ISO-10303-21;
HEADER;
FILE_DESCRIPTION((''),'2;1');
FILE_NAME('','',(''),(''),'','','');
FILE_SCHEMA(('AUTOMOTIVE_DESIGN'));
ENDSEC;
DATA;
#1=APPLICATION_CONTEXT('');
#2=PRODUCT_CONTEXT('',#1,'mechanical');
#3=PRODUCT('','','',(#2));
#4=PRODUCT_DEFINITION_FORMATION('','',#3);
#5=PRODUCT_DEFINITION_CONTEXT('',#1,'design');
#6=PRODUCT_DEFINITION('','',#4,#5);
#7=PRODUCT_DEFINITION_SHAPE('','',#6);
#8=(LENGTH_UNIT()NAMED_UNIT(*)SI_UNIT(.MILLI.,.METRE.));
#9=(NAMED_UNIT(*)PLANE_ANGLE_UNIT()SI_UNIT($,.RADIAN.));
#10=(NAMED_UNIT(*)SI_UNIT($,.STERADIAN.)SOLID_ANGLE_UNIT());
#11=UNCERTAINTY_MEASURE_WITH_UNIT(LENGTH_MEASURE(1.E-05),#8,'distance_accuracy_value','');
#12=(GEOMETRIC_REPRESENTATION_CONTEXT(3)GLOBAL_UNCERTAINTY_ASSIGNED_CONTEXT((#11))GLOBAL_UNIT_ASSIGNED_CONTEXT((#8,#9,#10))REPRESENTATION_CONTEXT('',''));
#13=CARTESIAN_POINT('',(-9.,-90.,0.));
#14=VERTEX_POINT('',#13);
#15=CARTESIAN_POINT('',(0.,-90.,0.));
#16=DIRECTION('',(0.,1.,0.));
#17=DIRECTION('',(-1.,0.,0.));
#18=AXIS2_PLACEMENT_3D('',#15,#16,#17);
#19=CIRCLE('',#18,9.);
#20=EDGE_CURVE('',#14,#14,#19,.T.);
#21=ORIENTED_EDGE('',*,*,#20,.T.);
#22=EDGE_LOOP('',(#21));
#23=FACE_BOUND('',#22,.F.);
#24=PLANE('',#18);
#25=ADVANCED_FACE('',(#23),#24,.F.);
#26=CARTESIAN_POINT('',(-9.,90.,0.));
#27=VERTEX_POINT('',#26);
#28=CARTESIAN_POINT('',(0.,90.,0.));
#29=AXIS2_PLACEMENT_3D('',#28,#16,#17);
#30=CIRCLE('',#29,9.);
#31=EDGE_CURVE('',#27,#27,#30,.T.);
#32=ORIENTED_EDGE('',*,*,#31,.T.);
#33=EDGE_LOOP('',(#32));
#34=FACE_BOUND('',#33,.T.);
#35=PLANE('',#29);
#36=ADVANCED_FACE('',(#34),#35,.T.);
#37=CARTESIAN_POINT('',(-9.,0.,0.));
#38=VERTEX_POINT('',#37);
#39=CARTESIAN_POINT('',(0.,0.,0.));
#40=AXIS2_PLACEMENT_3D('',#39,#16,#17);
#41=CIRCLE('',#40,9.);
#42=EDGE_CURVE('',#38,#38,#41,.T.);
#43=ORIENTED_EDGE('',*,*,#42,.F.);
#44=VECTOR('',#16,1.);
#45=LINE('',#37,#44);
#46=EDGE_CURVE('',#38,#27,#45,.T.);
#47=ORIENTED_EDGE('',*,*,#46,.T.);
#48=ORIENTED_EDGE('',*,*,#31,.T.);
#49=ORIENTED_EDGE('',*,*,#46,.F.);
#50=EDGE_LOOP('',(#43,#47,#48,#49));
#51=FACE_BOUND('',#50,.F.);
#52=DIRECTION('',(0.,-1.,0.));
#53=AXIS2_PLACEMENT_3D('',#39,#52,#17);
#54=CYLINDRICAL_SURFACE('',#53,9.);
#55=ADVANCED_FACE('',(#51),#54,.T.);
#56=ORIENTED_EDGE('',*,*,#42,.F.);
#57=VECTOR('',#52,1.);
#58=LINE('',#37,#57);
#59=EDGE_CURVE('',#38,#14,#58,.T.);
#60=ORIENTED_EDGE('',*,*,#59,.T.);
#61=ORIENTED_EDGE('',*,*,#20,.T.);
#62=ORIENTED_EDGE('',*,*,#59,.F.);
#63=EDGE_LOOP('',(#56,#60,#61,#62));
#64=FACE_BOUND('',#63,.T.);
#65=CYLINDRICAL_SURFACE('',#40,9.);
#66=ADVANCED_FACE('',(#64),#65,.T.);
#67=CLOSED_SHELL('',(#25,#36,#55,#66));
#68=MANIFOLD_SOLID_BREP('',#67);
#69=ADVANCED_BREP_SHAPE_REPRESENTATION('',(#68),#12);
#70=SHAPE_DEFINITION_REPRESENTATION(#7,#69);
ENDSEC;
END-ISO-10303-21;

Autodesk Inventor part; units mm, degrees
sketch "Эскиз1" plane through (0, 0, 0) normal (0, 1, 0) x (-1, 0, 0)
  circle A0 centre (0, 0) radius 9
  dimension "d0" = 18
extrude "Выдавливание1" add sketch "Эскиз1" along normal mid plane 180
properties part number "маркер"
